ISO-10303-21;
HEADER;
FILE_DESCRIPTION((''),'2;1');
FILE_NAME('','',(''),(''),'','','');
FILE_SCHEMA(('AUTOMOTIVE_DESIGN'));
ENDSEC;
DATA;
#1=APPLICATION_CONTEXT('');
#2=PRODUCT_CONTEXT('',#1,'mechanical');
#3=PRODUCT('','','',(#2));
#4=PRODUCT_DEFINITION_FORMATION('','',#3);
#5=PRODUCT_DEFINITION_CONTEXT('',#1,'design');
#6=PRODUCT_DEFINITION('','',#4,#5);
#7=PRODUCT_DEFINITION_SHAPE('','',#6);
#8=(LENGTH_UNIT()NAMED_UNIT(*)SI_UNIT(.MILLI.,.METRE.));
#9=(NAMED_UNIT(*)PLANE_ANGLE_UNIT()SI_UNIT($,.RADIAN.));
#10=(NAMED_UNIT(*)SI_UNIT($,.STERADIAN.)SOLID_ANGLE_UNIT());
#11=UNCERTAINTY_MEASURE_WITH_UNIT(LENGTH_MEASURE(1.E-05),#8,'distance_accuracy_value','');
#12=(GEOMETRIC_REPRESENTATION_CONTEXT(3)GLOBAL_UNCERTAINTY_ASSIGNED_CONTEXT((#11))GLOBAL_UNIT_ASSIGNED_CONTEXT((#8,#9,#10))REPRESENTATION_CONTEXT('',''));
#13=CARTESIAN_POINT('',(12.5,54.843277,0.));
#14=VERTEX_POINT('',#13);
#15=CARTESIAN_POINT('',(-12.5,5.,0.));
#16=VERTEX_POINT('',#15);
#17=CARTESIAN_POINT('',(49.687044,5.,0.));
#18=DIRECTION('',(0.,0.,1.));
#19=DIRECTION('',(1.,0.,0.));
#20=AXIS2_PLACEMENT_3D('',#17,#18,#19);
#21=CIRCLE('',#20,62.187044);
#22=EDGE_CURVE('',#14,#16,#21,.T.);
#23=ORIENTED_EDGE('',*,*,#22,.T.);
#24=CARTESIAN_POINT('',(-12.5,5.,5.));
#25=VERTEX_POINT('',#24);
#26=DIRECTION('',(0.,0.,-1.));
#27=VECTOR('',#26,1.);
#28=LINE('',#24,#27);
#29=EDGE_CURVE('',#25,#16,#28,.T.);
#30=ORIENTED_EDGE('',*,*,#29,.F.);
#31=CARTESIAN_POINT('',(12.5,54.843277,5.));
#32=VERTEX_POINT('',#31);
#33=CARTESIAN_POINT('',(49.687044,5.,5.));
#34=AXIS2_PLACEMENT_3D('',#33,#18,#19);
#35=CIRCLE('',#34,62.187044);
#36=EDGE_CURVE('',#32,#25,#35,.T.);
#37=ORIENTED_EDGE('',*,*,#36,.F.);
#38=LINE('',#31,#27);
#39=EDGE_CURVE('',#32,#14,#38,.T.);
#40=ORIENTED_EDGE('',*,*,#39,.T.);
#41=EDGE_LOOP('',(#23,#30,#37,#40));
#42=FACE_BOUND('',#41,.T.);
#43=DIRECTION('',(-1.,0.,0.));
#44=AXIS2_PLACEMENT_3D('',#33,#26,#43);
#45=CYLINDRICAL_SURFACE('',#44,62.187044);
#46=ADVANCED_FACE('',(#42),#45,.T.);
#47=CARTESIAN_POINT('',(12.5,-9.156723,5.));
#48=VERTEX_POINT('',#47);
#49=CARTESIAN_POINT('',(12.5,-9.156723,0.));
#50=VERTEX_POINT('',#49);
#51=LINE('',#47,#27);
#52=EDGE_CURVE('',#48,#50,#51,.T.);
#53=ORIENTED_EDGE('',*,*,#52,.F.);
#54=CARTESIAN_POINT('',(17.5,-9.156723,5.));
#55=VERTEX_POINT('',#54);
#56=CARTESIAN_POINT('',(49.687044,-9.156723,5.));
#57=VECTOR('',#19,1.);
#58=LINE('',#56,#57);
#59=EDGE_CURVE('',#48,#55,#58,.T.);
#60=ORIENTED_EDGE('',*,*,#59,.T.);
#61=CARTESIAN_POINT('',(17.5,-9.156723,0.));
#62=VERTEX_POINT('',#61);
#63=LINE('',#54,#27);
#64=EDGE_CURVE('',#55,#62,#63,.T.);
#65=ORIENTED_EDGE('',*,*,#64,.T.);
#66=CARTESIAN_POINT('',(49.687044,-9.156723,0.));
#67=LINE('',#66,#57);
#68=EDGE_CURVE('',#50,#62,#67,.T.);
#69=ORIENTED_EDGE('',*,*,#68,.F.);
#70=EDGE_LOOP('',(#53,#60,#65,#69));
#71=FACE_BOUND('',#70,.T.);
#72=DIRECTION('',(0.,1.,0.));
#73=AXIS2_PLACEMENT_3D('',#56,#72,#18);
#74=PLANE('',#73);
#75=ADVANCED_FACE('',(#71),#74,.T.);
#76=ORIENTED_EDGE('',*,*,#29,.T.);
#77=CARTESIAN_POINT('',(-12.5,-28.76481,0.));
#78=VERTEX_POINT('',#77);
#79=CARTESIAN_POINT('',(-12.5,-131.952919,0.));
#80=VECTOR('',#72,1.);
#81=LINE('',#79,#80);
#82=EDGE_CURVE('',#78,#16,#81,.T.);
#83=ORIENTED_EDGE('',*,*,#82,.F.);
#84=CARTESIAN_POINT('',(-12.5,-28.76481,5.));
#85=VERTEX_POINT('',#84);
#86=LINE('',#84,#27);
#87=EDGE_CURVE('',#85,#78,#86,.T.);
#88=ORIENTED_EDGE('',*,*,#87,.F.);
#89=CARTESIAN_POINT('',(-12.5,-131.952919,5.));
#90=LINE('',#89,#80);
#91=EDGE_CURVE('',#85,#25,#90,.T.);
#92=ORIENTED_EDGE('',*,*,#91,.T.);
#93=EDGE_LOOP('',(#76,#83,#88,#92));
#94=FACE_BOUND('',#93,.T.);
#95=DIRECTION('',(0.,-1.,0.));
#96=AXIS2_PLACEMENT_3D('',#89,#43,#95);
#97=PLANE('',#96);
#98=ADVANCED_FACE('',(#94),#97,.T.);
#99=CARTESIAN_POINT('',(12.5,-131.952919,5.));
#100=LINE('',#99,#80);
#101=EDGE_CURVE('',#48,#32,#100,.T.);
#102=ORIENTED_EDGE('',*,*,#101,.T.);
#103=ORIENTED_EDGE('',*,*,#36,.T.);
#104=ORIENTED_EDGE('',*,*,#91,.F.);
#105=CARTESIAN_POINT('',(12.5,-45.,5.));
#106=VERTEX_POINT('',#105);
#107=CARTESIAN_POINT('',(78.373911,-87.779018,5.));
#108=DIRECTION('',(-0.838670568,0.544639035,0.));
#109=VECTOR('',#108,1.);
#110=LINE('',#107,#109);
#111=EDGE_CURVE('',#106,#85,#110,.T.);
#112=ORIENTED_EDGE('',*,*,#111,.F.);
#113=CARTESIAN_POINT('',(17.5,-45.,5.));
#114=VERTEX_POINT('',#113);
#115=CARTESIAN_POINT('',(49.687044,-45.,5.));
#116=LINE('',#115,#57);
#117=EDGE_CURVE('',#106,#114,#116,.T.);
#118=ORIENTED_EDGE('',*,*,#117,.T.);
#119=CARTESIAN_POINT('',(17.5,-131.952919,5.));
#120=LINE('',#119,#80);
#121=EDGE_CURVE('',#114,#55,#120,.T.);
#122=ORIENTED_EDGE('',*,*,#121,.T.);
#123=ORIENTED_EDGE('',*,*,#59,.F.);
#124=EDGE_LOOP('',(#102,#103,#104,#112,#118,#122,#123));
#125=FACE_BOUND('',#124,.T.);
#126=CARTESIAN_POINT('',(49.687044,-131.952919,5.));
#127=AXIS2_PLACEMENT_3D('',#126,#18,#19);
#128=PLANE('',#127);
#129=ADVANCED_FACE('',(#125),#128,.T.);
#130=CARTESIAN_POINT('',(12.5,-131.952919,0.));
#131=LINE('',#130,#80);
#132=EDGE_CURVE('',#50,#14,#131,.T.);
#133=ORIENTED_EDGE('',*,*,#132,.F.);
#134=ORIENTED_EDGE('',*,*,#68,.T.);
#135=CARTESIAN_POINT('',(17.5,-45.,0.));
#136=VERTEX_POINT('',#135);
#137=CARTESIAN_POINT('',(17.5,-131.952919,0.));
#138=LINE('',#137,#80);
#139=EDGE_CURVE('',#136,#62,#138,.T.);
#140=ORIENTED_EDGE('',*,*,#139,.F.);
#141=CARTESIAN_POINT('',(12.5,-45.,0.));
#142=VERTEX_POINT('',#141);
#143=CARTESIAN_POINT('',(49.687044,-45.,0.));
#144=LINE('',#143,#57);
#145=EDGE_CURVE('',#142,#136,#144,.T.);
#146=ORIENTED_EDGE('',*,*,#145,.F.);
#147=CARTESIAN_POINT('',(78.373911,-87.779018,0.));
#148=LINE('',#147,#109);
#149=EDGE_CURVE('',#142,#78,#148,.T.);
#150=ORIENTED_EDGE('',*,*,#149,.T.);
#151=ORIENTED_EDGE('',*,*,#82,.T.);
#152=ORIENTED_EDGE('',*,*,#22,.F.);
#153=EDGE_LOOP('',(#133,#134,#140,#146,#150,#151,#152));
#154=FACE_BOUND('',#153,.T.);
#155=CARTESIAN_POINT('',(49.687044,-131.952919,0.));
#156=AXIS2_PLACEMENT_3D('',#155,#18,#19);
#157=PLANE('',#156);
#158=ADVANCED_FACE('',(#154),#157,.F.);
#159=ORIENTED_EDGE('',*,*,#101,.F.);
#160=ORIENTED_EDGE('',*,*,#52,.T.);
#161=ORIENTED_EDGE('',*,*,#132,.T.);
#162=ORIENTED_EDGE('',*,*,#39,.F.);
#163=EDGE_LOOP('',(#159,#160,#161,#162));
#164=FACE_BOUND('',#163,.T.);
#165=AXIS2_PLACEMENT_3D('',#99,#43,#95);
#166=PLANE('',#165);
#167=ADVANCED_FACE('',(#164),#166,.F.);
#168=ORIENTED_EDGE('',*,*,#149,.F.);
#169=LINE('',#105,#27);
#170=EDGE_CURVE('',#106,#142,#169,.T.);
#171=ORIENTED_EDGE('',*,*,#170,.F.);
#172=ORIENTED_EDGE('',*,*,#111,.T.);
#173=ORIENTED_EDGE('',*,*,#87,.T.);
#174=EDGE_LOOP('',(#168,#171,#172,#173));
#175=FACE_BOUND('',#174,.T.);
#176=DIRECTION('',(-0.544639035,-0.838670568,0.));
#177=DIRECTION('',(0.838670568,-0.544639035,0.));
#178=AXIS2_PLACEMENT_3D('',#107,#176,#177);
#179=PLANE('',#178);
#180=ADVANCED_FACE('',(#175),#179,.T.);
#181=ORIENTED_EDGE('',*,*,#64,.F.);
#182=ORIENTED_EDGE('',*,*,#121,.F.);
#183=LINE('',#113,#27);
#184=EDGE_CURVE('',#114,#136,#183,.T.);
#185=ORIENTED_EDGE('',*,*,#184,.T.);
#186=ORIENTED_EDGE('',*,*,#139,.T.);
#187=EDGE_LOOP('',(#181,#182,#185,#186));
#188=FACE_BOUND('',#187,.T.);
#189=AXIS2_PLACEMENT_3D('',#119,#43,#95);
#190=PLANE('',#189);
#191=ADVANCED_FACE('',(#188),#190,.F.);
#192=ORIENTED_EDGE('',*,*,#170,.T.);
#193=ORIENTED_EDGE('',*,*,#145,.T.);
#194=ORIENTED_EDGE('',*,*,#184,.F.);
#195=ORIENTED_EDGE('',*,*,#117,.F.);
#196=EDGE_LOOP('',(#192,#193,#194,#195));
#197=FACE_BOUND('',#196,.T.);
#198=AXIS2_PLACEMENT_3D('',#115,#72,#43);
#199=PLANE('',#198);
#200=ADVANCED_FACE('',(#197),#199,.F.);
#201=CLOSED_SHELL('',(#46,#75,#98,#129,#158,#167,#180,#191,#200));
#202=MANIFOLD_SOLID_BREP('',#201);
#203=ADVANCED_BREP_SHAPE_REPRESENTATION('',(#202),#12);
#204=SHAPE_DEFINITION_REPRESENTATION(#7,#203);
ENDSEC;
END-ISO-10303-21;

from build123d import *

# Parameters (mm, degrees)
BOSS_EXTRUDE1_DEPTH = 5


with BuildPart() as part:
    # Sketch1 → Boss-Extrude1 (new body)
    with BuildSketch(Plane.XY):
        with BuildLine():
            Line((-12.5, 5), (-12.5, -28.76481017))
            Line((-12.5, -28.76481017), (12.5, -45))
            Line((12.5, -45), (17.5, -45))
            Line((17.5, -45), (17.5, -9.156723451))
            Line((17.5, -9.156723451), (12.5, -9.156723451))
            Line((12.5, -9.156723451), (12.5, 54.843276549))
            ThreePointArc((12.5, 54.843276549), (-5.899738527, 32.880782885), (-12.5, 5))
        make_face()
    extrude(amount=BOSS_EXTRUDE1_DEPTH)


solid = part.part
